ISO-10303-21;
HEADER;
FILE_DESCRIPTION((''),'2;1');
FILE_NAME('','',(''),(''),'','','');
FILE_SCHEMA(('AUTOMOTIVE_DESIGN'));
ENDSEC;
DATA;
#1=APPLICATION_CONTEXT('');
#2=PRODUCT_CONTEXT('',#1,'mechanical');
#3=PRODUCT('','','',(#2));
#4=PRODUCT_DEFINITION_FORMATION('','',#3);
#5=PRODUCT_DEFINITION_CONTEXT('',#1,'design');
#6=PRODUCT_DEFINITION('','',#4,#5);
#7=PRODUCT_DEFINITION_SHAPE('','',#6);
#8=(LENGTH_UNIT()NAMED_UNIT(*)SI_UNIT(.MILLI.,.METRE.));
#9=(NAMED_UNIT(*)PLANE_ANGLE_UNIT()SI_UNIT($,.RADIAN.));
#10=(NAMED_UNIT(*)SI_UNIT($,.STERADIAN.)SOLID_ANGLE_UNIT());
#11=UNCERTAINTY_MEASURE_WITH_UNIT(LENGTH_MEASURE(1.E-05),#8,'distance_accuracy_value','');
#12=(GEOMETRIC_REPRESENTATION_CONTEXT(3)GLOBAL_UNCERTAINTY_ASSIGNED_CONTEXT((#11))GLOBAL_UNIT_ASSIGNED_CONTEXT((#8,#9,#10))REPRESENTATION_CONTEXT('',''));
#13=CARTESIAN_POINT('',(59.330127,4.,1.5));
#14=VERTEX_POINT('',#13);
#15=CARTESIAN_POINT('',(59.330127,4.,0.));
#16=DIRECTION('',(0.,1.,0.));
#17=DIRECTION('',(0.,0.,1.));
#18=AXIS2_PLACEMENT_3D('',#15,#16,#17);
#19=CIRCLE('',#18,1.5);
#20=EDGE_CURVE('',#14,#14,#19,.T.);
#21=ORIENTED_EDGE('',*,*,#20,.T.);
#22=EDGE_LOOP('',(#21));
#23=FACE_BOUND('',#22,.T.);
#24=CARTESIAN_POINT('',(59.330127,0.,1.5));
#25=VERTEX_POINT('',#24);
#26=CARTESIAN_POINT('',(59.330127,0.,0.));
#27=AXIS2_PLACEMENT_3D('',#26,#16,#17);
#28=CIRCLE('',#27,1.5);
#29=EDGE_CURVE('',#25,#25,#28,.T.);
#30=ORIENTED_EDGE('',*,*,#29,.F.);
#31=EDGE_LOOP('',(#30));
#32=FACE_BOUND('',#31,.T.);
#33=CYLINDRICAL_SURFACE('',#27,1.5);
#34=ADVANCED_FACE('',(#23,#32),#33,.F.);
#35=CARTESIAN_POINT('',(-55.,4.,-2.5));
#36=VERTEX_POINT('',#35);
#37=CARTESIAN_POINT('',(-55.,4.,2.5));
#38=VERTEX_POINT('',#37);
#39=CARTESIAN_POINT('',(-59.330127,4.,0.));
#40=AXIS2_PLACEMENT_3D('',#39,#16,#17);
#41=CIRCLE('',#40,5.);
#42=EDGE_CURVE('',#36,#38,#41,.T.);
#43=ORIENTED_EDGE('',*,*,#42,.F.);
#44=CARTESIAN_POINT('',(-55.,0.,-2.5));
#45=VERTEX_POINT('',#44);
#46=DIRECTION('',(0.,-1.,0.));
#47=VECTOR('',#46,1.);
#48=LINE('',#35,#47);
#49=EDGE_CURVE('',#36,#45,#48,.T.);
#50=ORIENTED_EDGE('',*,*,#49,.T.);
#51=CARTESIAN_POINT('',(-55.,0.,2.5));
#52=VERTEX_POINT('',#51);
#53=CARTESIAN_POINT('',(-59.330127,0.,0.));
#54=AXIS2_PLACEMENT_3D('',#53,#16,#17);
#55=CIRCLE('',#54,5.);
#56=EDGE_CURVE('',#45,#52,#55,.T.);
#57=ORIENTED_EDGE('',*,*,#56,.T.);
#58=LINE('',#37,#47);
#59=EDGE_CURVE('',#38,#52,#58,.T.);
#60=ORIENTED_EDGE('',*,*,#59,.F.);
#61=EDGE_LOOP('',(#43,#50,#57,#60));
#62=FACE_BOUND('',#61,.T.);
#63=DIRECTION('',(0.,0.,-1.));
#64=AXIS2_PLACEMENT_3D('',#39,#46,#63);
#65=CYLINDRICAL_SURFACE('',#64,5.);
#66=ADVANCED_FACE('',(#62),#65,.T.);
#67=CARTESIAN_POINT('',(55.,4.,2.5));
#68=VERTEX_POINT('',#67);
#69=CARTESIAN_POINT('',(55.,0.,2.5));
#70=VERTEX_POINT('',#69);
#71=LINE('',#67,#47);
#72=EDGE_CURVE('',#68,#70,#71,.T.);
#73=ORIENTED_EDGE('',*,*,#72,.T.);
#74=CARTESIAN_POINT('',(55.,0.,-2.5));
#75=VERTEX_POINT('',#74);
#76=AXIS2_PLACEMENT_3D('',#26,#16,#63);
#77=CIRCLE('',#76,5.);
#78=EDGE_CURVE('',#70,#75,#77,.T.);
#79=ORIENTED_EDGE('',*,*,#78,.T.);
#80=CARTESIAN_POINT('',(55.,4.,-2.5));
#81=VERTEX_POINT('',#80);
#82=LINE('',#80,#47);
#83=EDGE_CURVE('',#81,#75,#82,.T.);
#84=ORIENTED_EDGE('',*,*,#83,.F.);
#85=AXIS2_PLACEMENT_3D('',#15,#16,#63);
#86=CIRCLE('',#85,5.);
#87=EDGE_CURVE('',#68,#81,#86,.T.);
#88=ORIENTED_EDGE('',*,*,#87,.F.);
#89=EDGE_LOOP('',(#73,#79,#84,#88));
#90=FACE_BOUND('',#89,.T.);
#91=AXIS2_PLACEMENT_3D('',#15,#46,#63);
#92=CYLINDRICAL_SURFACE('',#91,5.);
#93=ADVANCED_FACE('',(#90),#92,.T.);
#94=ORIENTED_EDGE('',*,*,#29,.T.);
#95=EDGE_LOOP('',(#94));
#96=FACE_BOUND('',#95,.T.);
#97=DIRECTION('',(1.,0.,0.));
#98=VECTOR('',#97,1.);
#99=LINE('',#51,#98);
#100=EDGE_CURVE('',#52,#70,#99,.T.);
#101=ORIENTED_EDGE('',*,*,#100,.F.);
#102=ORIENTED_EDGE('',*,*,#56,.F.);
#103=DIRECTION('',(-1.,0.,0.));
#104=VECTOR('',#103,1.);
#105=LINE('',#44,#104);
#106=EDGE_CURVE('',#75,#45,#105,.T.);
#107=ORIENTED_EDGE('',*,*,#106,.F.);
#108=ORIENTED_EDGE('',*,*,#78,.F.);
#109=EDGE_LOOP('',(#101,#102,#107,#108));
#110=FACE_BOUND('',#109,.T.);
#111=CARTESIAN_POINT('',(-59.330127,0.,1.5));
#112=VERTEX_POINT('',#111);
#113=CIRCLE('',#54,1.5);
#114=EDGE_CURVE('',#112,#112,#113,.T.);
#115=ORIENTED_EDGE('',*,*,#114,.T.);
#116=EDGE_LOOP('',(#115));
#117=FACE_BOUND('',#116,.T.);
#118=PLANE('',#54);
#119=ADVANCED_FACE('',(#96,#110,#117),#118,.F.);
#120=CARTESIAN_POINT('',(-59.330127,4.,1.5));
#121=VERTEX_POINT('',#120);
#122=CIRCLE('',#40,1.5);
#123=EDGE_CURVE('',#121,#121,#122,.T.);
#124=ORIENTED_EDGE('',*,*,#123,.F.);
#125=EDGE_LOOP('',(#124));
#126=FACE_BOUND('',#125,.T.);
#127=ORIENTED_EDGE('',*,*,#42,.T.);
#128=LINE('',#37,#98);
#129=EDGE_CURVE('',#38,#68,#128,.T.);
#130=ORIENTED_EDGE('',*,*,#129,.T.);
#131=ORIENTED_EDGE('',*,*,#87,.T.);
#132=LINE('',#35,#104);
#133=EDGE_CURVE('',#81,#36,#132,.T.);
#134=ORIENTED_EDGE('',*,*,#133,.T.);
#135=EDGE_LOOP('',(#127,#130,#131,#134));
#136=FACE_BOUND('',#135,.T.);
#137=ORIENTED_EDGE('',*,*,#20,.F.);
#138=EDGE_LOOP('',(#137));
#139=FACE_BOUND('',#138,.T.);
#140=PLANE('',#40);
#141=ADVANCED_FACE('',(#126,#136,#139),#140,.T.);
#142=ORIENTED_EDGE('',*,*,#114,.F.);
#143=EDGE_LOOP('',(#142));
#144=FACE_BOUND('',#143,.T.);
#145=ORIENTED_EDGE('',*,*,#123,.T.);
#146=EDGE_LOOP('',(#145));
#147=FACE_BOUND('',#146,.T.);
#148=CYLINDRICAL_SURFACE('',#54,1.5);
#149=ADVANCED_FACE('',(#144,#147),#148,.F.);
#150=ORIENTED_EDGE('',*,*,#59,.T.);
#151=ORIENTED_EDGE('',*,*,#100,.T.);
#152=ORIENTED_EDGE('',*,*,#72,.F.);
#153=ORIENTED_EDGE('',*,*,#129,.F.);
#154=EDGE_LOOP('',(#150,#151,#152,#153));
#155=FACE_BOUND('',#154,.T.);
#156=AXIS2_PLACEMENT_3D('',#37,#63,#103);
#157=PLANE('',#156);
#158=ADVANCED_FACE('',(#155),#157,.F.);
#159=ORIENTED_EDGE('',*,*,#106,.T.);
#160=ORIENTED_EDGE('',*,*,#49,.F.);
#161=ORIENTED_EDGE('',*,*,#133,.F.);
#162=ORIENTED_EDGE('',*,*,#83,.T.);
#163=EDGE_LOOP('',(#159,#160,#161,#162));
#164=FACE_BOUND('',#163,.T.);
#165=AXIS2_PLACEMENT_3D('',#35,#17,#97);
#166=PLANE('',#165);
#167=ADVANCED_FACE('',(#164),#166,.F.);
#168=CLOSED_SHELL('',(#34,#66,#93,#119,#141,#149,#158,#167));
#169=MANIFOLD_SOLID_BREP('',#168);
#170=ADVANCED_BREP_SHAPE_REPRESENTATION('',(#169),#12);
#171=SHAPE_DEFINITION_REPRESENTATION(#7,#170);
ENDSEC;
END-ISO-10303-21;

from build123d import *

# Parameters (mm, degrees)
BOSS_EXTRUDE1_DEPTH = 4
SKETCH2_R           = 1.5
CUT_EXTRUDE1_DEPTH  = 65.64801035


with BuildPart() as part:
    # Sketch1 → Boss-Extrude1 (new body)
    with BuildSketch(Plane(origin=(0, 0, 0), x_dir=(1, 0, 0), z_dir=(0, 1, 0))):
        with BuildLine():
            Line((-55, 2.5), (55, 2.5))
            ThreePointArc((55, 2.5), (64.330127019, 0), (55, -2.5))
            Line((55, -2.5), (-55, -2.5))
            ThreePointArc((-55, -2.5), (-64.330127019, 0), (-55, 2.5))
        make_face()
    extrude(amount=BOSS_EXTRUDE1_DEPTH)

    # Sketch2 → Cut-Extrude1 (cut, through all)
    with BuildSketch(Plane(origin=(0, 4, 0), x_dir=(1, 0, 0), z_dir=(0, 1, 0))):
        with Locations(Location((-59.330127019, 0, 0), (0, 0, 270))):
            Circle(SKETCH2_R)
        with Locations(Location((59.330127019, 0, 0), (0, 0, 270))):
            Circle(SKETCH2_R)
    extrude(amount=-CUT_EXTRUDE1_DEPTH, mode=Mode.SUBTRACT)


solid = part.part
